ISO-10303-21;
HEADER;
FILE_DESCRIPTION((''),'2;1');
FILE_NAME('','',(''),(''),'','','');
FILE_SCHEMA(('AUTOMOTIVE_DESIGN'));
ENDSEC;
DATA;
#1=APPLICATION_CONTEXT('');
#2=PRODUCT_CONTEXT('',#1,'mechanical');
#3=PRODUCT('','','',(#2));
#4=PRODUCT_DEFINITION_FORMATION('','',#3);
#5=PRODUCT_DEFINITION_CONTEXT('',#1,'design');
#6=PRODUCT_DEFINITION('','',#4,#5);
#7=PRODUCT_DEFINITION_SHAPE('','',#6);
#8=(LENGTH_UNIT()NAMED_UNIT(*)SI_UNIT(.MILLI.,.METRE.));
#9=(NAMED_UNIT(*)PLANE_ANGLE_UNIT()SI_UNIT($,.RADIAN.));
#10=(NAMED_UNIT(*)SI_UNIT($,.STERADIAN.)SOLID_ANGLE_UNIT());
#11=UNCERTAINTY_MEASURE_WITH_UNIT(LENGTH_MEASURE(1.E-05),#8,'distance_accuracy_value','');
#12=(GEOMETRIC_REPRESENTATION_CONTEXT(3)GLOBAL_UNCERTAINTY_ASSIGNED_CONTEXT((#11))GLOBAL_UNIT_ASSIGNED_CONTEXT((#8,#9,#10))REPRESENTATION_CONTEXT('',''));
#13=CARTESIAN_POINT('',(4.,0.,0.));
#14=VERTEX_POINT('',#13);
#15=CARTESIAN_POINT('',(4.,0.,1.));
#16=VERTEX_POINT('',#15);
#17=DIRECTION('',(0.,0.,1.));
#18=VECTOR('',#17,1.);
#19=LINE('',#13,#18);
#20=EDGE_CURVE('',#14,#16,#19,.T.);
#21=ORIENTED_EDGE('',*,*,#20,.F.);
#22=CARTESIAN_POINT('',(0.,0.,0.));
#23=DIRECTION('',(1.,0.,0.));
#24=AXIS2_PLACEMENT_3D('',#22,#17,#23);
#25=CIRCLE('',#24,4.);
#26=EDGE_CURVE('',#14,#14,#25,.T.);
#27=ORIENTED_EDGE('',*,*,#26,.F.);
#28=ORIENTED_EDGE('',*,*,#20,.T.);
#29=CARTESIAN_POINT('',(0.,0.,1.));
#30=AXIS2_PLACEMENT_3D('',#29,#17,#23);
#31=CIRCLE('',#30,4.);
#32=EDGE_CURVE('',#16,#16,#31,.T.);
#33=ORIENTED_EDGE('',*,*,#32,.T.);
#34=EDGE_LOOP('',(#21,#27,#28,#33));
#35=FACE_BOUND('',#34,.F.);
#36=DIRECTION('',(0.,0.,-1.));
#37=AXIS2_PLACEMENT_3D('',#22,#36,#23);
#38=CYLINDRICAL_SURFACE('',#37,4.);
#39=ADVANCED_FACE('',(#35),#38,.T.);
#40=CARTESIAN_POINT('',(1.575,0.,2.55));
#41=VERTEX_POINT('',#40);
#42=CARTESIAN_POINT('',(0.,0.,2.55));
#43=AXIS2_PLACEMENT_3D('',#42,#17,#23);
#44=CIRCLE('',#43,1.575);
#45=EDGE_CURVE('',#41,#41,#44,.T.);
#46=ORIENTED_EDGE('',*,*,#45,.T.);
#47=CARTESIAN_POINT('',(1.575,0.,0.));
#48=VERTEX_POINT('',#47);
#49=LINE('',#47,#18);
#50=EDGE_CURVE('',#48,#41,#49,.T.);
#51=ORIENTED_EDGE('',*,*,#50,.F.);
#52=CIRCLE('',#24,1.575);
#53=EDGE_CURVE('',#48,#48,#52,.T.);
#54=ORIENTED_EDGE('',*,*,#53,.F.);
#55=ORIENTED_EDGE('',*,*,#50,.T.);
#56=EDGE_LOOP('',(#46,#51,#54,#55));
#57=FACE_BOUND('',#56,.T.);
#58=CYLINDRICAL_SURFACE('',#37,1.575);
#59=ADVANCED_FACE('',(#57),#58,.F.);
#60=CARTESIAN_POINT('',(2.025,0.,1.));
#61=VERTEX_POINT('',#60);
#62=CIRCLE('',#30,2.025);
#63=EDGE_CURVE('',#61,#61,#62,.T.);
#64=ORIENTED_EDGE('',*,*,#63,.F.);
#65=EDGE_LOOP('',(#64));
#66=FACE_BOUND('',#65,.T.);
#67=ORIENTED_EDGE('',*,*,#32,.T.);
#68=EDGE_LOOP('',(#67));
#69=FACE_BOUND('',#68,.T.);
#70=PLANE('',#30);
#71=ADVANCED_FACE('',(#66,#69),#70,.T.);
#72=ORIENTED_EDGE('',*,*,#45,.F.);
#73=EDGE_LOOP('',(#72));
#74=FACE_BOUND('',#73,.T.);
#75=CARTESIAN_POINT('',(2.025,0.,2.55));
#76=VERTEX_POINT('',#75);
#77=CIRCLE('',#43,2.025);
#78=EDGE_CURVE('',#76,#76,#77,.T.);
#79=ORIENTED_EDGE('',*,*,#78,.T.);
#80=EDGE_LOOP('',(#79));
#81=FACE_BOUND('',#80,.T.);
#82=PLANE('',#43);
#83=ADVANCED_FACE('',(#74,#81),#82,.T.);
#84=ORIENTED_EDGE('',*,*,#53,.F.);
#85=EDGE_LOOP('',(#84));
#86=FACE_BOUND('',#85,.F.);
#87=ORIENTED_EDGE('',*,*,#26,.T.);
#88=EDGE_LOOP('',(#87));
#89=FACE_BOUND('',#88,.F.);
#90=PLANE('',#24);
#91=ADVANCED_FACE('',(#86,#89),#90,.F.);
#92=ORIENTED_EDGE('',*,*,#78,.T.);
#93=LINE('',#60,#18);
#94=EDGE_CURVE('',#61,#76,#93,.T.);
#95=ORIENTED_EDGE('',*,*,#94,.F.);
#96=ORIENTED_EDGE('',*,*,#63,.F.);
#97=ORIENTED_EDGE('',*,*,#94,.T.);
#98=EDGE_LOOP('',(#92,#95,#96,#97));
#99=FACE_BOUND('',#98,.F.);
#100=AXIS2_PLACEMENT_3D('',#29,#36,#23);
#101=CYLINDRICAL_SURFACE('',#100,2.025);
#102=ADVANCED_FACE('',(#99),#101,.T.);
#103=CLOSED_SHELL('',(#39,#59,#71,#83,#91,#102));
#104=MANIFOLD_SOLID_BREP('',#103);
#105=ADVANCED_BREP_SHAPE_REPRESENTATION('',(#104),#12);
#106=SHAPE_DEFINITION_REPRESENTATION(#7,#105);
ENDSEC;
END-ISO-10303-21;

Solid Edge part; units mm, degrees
sketch "Sketch1" plane through (0, 0, 0) normal (0, 0, 1) x (1, 0, 0)
  circle A0 centre (0, 0) radius 4
  circle A1 centre (0, 0) radius 1.575
extrude "Protrusion1" add sketch "Sketch1" along normal blind 1
sketch "Sketch2" plane through (0, 0, 1) normal (0, 0, 1) x (1, 0, 0)
  circle A0 centre (0, 0) radius 1.575
  circle A1 centre (0, 0) radius 2.025
extrude "ExtrudedProtrusion_2" add sketch "Sketch2" along normal blind 1.55
